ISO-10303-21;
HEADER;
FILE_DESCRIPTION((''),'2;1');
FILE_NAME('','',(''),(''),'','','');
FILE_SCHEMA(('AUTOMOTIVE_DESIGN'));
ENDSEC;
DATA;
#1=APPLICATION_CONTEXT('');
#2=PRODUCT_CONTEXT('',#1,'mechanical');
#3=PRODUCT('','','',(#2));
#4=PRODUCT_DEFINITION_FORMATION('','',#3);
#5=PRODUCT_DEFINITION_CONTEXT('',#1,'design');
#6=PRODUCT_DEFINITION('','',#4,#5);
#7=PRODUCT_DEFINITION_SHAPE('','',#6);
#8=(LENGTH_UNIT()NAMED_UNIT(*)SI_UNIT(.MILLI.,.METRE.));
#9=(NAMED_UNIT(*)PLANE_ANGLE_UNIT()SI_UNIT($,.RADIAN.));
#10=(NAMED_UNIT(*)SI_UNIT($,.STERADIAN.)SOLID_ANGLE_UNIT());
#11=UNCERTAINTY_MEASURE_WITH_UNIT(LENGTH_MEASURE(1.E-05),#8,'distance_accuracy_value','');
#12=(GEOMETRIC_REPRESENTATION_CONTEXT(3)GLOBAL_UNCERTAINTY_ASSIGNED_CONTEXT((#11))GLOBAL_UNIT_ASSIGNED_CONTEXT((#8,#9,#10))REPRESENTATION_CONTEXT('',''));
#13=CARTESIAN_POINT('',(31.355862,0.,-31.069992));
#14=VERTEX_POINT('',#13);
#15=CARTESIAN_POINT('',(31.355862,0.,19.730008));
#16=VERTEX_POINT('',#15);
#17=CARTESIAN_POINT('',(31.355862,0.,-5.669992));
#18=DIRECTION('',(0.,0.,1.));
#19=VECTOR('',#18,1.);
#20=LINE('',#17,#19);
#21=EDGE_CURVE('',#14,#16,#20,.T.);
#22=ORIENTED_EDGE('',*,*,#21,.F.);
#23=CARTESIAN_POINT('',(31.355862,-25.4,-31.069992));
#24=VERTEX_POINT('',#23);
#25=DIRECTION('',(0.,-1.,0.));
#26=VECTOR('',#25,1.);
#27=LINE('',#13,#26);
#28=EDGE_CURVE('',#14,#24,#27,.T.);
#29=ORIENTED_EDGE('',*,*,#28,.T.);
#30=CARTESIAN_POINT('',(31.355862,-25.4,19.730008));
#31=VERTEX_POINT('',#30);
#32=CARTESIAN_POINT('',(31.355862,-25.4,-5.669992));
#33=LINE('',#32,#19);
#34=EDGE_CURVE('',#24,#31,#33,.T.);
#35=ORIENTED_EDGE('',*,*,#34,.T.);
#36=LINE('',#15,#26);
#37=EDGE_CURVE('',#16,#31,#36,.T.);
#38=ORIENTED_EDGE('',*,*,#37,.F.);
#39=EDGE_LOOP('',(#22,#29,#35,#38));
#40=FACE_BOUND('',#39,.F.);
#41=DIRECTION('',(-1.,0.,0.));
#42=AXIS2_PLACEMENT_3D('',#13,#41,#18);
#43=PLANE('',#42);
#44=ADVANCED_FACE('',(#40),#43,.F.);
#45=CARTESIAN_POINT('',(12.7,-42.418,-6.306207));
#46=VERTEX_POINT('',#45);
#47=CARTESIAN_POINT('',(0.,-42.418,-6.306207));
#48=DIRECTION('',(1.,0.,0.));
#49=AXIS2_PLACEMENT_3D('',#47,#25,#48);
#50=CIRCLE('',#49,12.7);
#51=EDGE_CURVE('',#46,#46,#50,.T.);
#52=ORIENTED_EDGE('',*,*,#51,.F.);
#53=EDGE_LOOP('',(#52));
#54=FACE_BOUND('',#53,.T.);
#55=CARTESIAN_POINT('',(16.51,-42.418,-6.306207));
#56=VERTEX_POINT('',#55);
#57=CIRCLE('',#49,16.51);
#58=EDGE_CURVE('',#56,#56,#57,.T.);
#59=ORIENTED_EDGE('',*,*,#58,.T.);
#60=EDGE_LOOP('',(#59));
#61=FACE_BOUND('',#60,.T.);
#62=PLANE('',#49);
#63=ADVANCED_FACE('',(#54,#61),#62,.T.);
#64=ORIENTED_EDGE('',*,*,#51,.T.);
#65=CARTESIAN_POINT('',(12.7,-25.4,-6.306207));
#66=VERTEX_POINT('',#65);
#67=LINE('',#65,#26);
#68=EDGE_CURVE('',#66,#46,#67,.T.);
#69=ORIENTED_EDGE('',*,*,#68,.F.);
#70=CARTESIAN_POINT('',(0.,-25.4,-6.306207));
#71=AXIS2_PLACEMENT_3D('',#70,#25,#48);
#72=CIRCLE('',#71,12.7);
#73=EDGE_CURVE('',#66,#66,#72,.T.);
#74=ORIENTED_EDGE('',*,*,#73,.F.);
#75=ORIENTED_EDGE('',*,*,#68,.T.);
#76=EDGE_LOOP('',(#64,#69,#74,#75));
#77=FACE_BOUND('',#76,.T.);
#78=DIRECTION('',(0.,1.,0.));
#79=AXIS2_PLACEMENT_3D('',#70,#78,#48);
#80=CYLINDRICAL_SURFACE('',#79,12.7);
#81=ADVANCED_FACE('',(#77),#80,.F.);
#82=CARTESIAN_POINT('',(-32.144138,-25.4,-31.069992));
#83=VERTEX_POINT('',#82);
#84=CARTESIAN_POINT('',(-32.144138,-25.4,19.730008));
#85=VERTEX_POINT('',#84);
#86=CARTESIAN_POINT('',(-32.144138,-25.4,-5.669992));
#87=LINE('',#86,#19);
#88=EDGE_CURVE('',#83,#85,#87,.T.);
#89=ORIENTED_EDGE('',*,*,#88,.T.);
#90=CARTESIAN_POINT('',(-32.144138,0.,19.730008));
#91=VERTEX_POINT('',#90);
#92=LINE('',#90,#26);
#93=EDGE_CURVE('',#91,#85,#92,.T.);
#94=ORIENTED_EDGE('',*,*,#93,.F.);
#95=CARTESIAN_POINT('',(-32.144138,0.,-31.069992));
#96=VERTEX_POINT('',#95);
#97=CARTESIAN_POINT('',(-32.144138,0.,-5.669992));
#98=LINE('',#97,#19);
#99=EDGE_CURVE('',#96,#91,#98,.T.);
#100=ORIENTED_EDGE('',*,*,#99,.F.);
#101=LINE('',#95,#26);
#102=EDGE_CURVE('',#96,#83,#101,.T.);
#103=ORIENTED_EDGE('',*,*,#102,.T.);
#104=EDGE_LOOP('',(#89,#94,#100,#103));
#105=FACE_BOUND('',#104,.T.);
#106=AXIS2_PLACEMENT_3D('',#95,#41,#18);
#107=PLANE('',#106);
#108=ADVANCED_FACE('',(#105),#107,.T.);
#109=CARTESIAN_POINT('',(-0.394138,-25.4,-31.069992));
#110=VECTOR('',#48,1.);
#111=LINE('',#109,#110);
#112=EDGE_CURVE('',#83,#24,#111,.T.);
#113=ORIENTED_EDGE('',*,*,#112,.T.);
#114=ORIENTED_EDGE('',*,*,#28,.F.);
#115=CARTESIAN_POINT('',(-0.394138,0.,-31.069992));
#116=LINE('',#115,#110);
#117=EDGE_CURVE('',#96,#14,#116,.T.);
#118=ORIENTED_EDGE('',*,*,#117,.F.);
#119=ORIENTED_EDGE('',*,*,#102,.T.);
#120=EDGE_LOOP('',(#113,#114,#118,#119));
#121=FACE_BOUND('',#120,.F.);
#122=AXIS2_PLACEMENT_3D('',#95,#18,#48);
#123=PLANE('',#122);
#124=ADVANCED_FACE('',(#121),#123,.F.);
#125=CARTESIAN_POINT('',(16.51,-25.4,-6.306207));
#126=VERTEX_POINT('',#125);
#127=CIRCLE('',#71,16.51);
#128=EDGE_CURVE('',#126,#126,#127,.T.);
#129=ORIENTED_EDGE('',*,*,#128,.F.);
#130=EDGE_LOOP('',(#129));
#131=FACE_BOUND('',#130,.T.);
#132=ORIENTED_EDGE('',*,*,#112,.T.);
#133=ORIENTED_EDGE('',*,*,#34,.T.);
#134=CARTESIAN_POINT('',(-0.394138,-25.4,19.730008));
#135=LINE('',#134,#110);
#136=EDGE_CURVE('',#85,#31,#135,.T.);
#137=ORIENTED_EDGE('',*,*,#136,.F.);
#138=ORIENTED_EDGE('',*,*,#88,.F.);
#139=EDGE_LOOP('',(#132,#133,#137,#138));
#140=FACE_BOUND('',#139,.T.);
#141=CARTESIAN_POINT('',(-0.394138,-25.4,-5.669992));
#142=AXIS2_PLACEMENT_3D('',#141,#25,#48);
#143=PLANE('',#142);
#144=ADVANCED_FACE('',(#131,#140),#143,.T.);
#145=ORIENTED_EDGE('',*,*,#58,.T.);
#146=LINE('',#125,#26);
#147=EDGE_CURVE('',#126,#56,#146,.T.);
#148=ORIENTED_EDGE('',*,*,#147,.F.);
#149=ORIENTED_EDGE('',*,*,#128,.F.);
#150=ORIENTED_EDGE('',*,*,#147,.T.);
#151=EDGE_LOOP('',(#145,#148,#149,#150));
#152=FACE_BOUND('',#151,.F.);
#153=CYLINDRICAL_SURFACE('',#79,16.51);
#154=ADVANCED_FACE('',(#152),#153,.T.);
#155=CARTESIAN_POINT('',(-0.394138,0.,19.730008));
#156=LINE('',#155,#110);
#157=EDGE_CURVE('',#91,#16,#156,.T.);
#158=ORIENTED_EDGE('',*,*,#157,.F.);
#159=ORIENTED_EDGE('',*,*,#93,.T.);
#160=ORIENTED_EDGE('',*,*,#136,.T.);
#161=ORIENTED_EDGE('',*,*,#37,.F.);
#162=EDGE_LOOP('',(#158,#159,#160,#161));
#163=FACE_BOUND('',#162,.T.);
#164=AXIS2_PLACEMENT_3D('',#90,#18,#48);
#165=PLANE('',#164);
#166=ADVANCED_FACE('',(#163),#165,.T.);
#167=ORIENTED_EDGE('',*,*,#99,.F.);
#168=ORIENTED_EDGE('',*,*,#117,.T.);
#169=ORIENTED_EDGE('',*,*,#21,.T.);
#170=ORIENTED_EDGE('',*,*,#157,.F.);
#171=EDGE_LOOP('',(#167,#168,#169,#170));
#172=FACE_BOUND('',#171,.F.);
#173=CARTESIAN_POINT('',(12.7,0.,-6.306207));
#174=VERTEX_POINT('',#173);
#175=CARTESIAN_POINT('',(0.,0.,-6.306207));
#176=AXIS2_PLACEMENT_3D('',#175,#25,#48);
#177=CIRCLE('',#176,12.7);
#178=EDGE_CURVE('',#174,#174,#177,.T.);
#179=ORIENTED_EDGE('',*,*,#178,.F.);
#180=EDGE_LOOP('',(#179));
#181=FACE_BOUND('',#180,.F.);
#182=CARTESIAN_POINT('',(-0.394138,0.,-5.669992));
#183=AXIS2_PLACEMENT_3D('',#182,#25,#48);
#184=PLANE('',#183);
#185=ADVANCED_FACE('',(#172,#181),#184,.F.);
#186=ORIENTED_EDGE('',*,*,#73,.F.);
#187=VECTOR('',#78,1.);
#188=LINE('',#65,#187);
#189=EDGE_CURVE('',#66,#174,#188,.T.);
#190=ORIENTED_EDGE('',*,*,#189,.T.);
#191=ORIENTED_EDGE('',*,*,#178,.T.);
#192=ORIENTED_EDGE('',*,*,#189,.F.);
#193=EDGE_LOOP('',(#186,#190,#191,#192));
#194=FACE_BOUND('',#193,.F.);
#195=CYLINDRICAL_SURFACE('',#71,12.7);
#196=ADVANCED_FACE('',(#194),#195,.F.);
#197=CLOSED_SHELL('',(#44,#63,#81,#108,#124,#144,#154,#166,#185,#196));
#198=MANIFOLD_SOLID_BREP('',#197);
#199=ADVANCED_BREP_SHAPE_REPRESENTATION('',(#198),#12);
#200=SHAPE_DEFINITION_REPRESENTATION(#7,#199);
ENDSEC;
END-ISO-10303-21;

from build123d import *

# Parameters (mm, degrees)
F0_W     = 63.5
F0_H     = 50.8
F1_DEPTH = 25.4
F2_R     = 12.7
F3_DEPTH = 25.401
F4_R     = 16.51
F4_R_2   = 12.7
F5_DEPTH = 17.018


with BuildPart() as f1:
    # F0 (on Front) → F1 (new body)
    with BuildSketch(Plane.XZ):
        with Locations((-0.3941375762, -5.669991883)):
            Rectangle(F0_W, F0_H)
    extrude(amount=F1_DEPTH)

    # F2 (on face) → F3 (cut, through all)
    with BuildSketch(Plane.XZ.offset(25.4)):
        with Locations((0, -6.3062068075)):
            Circle(F2_R)
    extrude(amount=-F3_DEPTH, mode=Mode.SUBTRACT)

    # F4 (on face) → F5 (join)
    with BuildSketch(Plane.XZ.offset(25.4)):
        with Locations((0, -6.3062068075)):
            Circle(F4_R)
        with Locations((0, -6.3062068075)):
            Circle(F4_R_2, mode=Mode.SUBTRACT)
    extrude(amount=F5_DEPTH)


solid = f1.part
